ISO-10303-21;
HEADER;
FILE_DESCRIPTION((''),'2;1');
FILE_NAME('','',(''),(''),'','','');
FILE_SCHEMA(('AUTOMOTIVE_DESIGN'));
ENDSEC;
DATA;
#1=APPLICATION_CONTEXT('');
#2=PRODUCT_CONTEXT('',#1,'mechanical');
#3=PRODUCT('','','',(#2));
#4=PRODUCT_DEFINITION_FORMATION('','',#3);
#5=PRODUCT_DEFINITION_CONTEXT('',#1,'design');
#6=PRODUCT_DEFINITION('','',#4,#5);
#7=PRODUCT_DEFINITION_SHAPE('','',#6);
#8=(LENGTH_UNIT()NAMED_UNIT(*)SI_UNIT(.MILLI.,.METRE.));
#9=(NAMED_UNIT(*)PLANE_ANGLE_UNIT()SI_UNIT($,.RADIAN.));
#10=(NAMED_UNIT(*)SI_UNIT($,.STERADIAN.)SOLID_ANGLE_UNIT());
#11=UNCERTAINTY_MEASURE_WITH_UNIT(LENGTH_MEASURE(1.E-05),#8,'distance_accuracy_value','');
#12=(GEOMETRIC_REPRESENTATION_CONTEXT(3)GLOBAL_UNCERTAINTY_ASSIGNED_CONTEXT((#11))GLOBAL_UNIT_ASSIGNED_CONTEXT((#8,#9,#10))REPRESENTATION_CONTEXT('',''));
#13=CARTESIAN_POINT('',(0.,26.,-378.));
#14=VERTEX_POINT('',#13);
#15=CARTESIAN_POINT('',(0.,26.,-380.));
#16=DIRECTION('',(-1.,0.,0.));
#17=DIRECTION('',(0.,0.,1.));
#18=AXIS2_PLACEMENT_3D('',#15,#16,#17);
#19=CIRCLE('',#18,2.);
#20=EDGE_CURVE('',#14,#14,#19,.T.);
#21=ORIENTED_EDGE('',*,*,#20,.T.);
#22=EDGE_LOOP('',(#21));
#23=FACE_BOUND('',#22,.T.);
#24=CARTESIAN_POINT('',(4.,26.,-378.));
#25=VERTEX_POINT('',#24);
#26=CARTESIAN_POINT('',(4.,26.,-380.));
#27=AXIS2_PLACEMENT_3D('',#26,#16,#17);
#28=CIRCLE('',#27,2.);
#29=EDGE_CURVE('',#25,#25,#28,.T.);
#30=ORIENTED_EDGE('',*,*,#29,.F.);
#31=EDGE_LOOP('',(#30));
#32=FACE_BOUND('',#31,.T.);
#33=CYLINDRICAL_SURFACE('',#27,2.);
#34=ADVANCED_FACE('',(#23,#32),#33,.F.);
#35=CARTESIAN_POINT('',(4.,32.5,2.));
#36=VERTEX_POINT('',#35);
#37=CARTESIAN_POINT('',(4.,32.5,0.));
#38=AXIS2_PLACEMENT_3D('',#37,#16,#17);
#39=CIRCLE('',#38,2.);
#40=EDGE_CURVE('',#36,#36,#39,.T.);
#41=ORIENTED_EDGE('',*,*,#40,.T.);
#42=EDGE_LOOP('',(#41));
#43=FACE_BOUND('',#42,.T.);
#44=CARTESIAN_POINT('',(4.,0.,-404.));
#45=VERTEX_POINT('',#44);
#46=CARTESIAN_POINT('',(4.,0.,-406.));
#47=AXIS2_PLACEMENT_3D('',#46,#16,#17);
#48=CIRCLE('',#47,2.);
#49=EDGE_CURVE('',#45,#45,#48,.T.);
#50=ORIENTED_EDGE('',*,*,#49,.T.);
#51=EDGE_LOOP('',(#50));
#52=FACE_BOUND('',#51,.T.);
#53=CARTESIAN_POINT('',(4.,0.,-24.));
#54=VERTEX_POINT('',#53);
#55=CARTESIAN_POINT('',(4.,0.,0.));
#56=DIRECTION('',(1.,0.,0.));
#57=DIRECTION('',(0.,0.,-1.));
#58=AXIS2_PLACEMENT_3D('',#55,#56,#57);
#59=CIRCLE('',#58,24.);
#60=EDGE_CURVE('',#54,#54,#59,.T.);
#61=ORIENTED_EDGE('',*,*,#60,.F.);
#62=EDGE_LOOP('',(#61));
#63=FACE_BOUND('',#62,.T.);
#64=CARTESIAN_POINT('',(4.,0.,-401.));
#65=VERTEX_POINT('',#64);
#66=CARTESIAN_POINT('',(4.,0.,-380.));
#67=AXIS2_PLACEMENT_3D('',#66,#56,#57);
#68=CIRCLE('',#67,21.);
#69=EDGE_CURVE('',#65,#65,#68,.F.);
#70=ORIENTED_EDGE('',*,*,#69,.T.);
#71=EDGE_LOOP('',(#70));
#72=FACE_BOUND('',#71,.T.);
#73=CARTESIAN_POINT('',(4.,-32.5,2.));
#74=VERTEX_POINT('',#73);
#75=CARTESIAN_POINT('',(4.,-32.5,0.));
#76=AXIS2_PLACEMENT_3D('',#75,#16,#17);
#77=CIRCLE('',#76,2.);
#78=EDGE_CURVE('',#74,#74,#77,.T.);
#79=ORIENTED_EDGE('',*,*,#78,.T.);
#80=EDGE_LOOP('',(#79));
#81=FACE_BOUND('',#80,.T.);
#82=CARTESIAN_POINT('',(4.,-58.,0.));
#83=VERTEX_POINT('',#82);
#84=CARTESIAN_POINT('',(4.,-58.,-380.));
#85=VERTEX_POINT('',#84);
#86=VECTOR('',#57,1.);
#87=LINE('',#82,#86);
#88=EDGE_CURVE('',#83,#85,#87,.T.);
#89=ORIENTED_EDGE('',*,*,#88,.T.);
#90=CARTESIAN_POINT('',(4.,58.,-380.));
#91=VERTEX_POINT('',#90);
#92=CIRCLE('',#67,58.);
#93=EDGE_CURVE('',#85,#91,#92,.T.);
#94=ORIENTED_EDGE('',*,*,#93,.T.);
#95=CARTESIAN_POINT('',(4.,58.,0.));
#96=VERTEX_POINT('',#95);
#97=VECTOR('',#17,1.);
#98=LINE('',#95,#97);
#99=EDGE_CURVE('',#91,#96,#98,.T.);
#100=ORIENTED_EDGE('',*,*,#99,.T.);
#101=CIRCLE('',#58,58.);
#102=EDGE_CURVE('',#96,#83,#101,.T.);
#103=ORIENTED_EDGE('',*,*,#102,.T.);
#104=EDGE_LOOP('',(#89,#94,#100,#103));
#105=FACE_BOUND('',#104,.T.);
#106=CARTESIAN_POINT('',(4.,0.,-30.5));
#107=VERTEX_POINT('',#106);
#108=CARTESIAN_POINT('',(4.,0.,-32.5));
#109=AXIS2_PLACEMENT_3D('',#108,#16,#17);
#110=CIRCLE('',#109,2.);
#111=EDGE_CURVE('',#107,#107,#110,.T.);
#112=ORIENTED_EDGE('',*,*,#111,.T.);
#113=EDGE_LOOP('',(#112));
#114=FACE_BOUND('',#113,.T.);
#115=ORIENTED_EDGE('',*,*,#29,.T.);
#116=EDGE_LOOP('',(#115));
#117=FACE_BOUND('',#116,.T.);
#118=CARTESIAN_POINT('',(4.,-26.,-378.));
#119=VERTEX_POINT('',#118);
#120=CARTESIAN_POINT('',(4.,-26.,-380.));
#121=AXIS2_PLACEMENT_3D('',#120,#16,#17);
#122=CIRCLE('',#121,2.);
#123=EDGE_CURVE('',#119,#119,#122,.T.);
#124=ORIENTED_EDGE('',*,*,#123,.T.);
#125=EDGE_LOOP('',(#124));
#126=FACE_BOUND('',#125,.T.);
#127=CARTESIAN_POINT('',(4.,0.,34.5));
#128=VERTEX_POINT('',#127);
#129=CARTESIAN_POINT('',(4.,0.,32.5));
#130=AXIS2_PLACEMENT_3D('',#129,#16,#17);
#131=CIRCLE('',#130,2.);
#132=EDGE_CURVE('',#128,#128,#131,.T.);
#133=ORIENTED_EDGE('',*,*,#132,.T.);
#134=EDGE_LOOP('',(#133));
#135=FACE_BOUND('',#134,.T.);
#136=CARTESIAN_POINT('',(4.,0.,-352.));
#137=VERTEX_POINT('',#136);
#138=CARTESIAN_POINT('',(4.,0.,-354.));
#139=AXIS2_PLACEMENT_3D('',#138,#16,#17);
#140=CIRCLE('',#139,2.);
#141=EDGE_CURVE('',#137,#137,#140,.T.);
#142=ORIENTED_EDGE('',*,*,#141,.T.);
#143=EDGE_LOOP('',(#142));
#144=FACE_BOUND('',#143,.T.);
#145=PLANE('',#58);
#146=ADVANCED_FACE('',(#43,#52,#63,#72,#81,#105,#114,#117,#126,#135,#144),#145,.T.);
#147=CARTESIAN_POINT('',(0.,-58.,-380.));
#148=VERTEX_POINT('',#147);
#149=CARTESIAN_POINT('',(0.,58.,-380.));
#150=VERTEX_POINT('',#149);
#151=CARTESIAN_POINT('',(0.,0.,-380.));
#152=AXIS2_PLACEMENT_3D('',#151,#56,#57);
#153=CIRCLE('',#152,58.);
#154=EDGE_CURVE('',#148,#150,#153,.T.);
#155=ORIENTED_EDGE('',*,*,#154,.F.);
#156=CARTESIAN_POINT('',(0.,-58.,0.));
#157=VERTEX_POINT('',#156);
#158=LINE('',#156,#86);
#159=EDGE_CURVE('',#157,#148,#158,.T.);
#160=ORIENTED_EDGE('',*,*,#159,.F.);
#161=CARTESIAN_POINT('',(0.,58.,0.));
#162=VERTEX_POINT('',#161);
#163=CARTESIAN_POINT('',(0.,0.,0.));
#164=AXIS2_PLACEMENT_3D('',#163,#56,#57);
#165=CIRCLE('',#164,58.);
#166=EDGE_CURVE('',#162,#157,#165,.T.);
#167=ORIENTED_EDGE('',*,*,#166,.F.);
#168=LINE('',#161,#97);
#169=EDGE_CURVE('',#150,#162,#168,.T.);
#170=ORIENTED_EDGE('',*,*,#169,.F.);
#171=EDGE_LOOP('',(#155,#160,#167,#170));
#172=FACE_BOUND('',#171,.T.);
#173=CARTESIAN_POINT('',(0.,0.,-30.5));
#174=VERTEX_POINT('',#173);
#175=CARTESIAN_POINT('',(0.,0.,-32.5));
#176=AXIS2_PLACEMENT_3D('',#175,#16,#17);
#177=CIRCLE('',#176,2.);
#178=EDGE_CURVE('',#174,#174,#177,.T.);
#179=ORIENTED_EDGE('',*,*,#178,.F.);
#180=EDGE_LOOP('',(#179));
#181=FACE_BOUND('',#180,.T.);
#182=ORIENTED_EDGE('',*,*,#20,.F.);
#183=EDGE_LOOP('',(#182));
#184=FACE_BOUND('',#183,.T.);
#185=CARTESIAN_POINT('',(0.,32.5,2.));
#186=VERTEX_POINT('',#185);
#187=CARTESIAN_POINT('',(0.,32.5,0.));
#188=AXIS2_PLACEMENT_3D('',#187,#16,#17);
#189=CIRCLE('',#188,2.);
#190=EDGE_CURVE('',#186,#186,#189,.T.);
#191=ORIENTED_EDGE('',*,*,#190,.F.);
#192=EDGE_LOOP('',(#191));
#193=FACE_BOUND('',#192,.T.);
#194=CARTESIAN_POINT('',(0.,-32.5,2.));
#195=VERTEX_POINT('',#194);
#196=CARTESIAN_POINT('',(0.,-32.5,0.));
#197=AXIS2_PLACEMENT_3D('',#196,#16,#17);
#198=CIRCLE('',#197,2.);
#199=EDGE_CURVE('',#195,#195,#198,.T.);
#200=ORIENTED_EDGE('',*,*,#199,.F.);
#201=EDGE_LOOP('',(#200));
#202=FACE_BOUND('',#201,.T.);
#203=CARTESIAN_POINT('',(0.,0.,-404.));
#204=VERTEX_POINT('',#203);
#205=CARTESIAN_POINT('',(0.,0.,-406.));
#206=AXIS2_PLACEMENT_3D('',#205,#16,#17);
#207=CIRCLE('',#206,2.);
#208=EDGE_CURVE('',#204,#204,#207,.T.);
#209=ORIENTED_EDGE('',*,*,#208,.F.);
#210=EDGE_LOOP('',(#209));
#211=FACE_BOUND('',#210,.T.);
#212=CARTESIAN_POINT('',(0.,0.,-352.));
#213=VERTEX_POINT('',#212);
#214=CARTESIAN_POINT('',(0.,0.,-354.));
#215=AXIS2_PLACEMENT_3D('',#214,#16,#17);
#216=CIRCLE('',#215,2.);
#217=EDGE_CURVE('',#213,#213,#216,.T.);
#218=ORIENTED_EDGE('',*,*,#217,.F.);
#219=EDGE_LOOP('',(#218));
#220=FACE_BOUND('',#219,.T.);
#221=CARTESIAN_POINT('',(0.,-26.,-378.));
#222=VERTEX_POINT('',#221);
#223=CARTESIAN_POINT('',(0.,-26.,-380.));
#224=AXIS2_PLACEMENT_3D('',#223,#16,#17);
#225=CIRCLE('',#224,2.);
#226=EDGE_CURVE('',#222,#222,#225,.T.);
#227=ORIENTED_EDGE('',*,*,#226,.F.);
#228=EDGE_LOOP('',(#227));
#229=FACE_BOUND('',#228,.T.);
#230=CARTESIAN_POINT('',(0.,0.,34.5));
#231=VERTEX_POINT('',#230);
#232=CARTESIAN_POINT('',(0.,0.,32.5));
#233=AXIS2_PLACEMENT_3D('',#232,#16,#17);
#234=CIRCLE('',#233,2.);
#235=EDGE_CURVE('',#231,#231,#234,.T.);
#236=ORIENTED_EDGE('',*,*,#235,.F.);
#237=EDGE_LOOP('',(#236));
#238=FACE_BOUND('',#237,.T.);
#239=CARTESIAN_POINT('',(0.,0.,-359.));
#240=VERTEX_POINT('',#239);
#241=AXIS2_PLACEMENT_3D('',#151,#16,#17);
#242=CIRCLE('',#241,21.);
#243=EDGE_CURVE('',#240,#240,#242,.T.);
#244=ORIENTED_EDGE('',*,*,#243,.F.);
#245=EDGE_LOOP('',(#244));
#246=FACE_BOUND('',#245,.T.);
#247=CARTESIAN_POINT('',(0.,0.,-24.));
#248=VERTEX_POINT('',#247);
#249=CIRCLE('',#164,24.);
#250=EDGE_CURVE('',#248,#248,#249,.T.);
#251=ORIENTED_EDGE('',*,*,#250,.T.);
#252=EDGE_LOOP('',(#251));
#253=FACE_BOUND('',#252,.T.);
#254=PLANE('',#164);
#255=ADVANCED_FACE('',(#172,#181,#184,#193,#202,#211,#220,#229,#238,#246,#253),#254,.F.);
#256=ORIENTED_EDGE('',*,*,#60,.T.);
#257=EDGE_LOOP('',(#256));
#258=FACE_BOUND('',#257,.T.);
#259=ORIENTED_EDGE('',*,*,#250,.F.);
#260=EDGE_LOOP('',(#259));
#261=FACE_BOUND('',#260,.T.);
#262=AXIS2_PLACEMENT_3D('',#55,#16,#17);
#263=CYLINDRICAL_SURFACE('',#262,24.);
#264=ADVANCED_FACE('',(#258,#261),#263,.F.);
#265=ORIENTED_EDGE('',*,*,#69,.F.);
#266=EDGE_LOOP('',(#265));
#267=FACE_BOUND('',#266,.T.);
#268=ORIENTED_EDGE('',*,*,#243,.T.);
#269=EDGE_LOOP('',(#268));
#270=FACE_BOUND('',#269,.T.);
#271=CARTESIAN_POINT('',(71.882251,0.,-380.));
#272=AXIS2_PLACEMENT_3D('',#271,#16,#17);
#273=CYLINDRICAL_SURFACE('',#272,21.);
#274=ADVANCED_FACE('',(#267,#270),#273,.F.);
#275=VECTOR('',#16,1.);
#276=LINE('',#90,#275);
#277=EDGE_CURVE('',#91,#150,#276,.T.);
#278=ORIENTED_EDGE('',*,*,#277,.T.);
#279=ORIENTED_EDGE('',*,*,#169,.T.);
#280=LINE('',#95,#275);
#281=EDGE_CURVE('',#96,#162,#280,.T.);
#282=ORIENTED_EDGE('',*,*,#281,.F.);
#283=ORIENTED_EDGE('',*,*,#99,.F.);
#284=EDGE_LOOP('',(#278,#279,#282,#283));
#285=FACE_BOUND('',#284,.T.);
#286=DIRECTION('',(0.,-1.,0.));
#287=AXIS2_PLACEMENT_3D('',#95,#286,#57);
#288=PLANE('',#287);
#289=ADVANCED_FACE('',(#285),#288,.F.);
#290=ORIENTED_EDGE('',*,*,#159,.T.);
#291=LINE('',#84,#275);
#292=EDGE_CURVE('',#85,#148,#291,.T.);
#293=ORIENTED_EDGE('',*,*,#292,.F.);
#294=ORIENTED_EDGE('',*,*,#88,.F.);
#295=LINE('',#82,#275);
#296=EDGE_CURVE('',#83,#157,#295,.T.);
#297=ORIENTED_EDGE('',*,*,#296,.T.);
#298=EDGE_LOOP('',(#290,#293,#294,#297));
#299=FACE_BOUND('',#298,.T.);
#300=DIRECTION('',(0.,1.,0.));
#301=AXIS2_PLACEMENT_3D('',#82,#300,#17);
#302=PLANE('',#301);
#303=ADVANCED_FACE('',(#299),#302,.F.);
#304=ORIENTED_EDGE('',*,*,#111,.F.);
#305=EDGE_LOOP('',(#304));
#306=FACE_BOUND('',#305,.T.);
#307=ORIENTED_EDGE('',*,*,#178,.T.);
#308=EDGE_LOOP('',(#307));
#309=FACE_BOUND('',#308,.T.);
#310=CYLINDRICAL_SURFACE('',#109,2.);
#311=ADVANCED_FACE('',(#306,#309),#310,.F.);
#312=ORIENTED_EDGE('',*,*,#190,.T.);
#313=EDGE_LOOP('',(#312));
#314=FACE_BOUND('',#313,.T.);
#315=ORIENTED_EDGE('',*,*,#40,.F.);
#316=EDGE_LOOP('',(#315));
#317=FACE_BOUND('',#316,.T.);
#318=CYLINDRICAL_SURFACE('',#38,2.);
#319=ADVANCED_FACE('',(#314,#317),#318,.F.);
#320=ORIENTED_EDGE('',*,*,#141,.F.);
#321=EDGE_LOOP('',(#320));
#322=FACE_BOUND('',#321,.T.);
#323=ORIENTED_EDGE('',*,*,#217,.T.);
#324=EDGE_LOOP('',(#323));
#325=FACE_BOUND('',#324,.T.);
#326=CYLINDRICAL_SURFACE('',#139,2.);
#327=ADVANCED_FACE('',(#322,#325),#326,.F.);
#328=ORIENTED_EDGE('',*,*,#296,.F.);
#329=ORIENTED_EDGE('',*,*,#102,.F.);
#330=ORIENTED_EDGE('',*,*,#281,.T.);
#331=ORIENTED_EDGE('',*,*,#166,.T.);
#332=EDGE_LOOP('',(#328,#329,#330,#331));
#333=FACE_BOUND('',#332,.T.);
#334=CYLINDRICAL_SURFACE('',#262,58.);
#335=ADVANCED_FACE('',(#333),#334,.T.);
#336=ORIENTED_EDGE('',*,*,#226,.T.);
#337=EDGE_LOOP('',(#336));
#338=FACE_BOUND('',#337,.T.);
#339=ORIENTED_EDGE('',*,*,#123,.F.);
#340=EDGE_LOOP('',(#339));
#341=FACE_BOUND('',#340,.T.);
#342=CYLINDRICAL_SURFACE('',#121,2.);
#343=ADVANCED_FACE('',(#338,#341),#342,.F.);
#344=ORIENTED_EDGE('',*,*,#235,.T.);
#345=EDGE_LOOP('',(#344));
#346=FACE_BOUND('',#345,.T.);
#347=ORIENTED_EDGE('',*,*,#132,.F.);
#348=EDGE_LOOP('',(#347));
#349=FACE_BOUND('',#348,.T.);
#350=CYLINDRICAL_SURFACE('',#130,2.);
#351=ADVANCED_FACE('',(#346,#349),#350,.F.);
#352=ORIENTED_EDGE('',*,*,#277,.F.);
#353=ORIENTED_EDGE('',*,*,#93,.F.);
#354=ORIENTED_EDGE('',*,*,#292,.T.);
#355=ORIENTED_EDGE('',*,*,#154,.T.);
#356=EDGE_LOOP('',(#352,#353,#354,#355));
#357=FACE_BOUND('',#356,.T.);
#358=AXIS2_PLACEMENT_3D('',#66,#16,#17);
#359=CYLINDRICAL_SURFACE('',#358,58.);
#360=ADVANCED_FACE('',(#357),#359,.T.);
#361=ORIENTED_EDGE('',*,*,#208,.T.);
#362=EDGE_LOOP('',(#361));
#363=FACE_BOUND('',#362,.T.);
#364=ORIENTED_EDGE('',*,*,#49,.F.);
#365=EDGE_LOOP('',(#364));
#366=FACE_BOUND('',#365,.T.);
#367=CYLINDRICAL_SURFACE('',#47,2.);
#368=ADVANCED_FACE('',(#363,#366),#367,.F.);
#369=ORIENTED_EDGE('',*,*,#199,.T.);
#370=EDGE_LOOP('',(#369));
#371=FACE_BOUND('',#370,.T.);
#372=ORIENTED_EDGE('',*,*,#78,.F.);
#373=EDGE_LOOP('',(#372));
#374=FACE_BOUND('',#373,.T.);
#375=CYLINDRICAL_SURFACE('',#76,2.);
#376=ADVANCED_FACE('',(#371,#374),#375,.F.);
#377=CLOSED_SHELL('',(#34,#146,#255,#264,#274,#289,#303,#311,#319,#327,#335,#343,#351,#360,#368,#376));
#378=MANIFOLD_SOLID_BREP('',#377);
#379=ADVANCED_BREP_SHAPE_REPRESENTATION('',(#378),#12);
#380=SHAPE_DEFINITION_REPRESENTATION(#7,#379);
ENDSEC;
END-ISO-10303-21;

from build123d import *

# Parameters (mm, degrees)
SKETCH1_R           = 24
BOSS_EXTRUDE1_DEPTH = 4
SKETCH4_R           = 2
CUT_EXTRUDE3_DEPTH  = 442.841600576
SKETCH7_R           = 24
SKETCH7_R_2         = 21
BOSS_EXTRUDE3_DEPTH = 4
SKETCH8_R           = 2
CUT_EXTRUDE5_DEPTH  = 442.841600576


with BuildPart() as part:
    # Sketch1 → Boss-Extrude1 (new body)
    with BuildSketch(Plane(origin=(0, 0, 0), x_dir=(0, 0, -1), z_dir=(1, 0, 0))):
        with BuildLine():
            Line((0, 58), (380, 58))
            ThreePointArc((380, 58), (438, 0), (380, -58))
            Line((380, -58), (0, -58))
            ThreePointArc((0, -58), (-58, 0), (0, 58))
        make_face()
        Circle(SKETCH1_R, mode=Mode.SUBTRACT)
        with Locations((380, 0)):
            Circle(SKETCH1_R, mode=Mode.SUBTRACT)
    extrude(amount=BOSS_EXTRUDE1_DEPTH)

    # Sketch4 → Cut-Extrude3 (cut, through all)
    with BuildSketch(Plane.ZY):
        with Locations((0, 32.5)):
            Circle(SKETCH4_R)
        with Locations((32.5, 0)):
            Circle(SKETCH4_R)
        with Locations((0, -32.5)):
            Circle(SKETCH4_R)
        with Locations((-32.5, 0)):
            Circle(SKETCH4_R)
    extrude(amount=-CUT_EXTRUDE3_DEPTH, mode=Mode.SUBTRACT)

    # Sketch7 → Boss-Extrude3 (add)
    with BuildSketch(Plane.ZY):
        with Locations((-380, 0)):
            Circle(SKETCH7_R)
        with Locations((-380, 0)):
            Circle(SKETCH7_R_2, mode=Mode.SUBTRACT)
    extrude(amount=-BOSS_EXTRUDE3_DEPTH)

    # Sketch8 → Cut-Extrude5 (cut, through all)
    with BuildSketch(Plane.ZY):
        with Locations((-380, 26)):
            Circle(SKETCH8_R)
        with Locations((-354, 0)):
            Circle(SKETCH8_R)
        with Locations((-380, -26)):
            Circle(SKETCH8_R)
        with Locations((-406, 0)):
            Circle(SKETCH8_R)
    extrude(amount=-CUT_EXTRUDE5_DEPTH, mode=Mode.SUBTRACT)


solid = part.part
